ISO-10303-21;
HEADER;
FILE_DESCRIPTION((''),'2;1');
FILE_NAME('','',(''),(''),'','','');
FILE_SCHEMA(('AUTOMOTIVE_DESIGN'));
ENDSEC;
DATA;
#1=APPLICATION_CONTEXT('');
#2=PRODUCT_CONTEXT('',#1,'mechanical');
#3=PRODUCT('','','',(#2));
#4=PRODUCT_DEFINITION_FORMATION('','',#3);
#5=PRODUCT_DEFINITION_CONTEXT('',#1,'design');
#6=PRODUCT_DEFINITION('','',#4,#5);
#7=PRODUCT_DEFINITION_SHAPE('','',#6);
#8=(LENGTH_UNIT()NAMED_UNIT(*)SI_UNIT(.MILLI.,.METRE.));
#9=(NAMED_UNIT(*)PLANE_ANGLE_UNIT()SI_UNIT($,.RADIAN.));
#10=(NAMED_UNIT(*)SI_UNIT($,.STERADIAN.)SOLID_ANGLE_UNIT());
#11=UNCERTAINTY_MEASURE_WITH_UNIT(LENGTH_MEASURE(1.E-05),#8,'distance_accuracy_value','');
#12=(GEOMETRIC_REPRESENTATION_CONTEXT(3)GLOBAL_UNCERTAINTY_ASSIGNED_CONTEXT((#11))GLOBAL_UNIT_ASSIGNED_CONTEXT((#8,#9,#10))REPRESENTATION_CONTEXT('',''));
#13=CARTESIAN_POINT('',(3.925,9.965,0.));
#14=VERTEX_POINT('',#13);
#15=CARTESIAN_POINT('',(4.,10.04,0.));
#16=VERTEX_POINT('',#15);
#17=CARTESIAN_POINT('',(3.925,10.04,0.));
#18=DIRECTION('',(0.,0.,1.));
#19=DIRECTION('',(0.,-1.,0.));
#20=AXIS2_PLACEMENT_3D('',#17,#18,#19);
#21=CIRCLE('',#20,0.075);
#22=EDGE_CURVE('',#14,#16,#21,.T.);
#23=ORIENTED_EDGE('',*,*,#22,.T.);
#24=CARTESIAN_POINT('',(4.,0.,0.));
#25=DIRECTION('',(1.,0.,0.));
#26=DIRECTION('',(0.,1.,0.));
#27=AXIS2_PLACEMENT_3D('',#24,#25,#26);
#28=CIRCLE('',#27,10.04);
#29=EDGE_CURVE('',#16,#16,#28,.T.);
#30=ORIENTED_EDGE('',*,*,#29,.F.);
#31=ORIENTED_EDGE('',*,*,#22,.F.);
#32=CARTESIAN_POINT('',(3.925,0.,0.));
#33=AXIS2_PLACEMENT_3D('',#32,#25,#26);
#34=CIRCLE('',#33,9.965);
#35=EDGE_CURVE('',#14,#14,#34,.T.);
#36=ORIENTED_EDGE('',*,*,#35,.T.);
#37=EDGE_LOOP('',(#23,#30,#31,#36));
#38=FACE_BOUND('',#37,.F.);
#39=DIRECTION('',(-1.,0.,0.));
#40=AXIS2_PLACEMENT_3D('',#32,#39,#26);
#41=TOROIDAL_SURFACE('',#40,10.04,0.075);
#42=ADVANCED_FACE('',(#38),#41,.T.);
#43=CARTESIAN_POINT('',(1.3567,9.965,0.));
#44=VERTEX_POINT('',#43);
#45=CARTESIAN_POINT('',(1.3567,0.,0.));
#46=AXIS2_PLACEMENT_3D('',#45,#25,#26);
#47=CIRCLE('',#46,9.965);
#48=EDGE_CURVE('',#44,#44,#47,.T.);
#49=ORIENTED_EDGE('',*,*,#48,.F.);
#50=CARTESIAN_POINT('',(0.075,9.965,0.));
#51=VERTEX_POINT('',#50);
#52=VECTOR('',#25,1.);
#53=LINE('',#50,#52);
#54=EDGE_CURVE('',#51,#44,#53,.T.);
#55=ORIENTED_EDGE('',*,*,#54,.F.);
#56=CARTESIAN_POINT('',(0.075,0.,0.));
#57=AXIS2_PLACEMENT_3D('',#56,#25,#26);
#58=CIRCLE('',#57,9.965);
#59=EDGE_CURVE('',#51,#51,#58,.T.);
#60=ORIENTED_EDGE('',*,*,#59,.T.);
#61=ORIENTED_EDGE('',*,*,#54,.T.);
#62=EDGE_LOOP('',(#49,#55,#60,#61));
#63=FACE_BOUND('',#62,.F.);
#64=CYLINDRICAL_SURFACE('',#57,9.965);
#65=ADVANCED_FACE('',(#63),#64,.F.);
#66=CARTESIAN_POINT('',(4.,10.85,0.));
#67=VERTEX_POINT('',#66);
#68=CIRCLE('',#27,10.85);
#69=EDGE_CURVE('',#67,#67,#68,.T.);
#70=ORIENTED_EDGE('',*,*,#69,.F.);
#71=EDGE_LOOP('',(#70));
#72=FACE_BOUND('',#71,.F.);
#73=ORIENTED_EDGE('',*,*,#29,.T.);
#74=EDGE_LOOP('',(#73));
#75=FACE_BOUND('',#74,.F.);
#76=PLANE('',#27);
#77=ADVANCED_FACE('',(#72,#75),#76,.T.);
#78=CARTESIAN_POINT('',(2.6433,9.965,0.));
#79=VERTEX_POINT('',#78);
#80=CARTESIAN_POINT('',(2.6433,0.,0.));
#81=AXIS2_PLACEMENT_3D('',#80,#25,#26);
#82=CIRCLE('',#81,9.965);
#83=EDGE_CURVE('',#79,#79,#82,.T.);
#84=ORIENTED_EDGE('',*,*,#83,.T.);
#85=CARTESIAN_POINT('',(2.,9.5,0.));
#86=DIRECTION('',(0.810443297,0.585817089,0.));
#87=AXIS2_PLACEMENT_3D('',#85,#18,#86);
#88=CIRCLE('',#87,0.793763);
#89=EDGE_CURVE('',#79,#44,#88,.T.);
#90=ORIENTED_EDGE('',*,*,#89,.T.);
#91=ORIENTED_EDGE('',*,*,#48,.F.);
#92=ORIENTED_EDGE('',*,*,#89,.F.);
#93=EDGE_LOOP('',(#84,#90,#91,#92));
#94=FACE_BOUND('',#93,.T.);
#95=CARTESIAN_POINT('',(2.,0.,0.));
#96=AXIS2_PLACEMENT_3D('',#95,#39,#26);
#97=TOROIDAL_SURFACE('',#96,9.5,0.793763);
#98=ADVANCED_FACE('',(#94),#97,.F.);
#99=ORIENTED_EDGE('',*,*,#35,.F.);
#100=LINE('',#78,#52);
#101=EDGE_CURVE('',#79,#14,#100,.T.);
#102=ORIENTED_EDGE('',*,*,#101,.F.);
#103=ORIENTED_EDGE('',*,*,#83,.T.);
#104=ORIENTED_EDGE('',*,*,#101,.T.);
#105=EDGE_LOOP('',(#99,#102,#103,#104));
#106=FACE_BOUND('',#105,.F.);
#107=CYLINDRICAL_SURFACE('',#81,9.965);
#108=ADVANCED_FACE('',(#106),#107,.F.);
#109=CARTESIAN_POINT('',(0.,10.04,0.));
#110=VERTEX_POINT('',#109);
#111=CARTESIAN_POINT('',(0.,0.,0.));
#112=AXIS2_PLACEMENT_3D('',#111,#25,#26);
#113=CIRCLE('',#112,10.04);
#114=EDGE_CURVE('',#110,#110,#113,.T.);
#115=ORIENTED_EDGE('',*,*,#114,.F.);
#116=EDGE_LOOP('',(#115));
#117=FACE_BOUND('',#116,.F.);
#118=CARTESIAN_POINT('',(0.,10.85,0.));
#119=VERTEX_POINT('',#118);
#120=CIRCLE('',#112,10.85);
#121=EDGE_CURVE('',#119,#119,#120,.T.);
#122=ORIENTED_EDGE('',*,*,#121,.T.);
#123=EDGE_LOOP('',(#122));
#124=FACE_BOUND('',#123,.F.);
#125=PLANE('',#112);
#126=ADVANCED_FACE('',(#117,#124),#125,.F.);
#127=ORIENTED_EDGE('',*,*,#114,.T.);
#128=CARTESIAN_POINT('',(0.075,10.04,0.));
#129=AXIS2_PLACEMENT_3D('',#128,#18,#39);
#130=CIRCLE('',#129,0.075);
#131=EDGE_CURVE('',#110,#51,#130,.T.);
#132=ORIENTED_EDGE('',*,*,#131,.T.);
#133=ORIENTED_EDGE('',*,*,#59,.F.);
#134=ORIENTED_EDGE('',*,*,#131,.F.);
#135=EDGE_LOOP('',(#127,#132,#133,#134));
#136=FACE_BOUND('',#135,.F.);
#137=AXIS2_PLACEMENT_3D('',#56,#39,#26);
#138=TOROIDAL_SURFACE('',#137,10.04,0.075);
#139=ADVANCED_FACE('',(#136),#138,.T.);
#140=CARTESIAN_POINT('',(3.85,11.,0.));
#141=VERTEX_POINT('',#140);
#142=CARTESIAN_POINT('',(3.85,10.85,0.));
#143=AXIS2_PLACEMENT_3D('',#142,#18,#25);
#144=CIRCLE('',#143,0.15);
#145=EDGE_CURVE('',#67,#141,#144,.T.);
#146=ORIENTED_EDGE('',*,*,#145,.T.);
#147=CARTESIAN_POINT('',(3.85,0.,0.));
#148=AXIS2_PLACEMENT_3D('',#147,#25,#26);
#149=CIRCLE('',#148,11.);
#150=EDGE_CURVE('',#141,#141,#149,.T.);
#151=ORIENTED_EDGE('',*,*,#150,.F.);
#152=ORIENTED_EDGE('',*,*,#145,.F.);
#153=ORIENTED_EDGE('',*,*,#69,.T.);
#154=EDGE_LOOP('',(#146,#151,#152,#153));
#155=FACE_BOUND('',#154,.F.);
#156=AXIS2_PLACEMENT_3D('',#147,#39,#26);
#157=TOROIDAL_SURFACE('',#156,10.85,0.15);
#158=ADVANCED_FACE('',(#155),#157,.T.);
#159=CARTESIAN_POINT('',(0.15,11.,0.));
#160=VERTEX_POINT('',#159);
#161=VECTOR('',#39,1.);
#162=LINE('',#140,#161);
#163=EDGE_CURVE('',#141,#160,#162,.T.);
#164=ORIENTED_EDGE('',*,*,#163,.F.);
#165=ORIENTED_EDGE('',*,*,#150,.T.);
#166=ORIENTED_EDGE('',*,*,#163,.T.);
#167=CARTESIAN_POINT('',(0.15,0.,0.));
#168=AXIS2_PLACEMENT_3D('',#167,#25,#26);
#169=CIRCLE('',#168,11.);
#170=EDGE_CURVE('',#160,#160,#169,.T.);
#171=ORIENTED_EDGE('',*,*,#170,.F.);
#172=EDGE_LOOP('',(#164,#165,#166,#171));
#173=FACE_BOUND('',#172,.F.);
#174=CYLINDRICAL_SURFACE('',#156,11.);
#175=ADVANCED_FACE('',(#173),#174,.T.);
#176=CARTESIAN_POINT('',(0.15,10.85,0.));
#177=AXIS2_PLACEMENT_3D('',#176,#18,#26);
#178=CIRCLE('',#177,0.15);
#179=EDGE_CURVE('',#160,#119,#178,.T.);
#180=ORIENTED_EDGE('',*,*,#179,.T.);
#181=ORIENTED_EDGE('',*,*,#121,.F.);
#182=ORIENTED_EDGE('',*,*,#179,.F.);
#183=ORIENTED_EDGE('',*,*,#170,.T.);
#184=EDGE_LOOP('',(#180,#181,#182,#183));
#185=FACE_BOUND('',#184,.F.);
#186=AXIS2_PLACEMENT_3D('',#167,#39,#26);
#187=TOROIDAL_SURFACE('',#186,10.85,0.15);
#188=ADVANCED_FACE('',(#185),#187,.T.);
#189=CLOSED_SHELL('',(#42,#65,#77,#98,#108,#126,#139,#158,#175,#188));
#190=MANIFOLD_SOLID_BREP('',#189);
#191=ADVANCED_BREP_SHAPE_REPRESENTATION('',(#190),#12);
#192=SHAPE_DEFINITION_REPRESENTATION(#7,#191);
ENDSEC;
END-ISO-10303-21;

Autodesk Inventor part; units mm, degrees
sketch "Sketch_1" plane through (0, 0, 0) normal (0, 0, 1) x (1, 0, 0)
  line L0 (4, 0) -> (0, 0)
  line L1 (0, 10.85) -> (0, 10.04)
  arc A0 (0, 10.04) -> (0.075, 9.965) centre (0.075, 10.04) ccw
  line L2 (0.075, 9.965) -> (1.3567, 9.965)
  arc A1 (2.6433, 9.965) -> (1.3567, 9.965) centre (2, 9.5) ccw
  line L3 (2.6433, 9.965) -> (3.925, 9.965)
  arc A2 (3.925, 9.965) -> (4, 10.04) centre (3.925, 10.04) ccw
  line L4 (4, 10.04) -> (4, 10.85)
  arc A3 (4, 10.85) -> (3.85, 11) centre (3.85, 10.85) ccw
  line L5 (3.85, 11) -> (0.15, 11)
  arc A4 (0.15, 11) -> (0, 10.85) centre (0.15, 10.85) ccw
revolve "Revolution1" add sketch "Sketch_1" angle 360 about axis through (4, 0, 0) along (1, 0, 0)
ref_plane "1_XY" through (2, 0, 0) normal (1, 0, 0) x (0, 0, -1)
ref_plane "1_YZ" through (2, 0, 0) normal (0, 0, -1) x (0, 1, 0)
ref_plane "1_ZX" through (2, 0, 0) normal (0, 1, 0) x (1, 0, 0)
properties part number "A-2216_or"
